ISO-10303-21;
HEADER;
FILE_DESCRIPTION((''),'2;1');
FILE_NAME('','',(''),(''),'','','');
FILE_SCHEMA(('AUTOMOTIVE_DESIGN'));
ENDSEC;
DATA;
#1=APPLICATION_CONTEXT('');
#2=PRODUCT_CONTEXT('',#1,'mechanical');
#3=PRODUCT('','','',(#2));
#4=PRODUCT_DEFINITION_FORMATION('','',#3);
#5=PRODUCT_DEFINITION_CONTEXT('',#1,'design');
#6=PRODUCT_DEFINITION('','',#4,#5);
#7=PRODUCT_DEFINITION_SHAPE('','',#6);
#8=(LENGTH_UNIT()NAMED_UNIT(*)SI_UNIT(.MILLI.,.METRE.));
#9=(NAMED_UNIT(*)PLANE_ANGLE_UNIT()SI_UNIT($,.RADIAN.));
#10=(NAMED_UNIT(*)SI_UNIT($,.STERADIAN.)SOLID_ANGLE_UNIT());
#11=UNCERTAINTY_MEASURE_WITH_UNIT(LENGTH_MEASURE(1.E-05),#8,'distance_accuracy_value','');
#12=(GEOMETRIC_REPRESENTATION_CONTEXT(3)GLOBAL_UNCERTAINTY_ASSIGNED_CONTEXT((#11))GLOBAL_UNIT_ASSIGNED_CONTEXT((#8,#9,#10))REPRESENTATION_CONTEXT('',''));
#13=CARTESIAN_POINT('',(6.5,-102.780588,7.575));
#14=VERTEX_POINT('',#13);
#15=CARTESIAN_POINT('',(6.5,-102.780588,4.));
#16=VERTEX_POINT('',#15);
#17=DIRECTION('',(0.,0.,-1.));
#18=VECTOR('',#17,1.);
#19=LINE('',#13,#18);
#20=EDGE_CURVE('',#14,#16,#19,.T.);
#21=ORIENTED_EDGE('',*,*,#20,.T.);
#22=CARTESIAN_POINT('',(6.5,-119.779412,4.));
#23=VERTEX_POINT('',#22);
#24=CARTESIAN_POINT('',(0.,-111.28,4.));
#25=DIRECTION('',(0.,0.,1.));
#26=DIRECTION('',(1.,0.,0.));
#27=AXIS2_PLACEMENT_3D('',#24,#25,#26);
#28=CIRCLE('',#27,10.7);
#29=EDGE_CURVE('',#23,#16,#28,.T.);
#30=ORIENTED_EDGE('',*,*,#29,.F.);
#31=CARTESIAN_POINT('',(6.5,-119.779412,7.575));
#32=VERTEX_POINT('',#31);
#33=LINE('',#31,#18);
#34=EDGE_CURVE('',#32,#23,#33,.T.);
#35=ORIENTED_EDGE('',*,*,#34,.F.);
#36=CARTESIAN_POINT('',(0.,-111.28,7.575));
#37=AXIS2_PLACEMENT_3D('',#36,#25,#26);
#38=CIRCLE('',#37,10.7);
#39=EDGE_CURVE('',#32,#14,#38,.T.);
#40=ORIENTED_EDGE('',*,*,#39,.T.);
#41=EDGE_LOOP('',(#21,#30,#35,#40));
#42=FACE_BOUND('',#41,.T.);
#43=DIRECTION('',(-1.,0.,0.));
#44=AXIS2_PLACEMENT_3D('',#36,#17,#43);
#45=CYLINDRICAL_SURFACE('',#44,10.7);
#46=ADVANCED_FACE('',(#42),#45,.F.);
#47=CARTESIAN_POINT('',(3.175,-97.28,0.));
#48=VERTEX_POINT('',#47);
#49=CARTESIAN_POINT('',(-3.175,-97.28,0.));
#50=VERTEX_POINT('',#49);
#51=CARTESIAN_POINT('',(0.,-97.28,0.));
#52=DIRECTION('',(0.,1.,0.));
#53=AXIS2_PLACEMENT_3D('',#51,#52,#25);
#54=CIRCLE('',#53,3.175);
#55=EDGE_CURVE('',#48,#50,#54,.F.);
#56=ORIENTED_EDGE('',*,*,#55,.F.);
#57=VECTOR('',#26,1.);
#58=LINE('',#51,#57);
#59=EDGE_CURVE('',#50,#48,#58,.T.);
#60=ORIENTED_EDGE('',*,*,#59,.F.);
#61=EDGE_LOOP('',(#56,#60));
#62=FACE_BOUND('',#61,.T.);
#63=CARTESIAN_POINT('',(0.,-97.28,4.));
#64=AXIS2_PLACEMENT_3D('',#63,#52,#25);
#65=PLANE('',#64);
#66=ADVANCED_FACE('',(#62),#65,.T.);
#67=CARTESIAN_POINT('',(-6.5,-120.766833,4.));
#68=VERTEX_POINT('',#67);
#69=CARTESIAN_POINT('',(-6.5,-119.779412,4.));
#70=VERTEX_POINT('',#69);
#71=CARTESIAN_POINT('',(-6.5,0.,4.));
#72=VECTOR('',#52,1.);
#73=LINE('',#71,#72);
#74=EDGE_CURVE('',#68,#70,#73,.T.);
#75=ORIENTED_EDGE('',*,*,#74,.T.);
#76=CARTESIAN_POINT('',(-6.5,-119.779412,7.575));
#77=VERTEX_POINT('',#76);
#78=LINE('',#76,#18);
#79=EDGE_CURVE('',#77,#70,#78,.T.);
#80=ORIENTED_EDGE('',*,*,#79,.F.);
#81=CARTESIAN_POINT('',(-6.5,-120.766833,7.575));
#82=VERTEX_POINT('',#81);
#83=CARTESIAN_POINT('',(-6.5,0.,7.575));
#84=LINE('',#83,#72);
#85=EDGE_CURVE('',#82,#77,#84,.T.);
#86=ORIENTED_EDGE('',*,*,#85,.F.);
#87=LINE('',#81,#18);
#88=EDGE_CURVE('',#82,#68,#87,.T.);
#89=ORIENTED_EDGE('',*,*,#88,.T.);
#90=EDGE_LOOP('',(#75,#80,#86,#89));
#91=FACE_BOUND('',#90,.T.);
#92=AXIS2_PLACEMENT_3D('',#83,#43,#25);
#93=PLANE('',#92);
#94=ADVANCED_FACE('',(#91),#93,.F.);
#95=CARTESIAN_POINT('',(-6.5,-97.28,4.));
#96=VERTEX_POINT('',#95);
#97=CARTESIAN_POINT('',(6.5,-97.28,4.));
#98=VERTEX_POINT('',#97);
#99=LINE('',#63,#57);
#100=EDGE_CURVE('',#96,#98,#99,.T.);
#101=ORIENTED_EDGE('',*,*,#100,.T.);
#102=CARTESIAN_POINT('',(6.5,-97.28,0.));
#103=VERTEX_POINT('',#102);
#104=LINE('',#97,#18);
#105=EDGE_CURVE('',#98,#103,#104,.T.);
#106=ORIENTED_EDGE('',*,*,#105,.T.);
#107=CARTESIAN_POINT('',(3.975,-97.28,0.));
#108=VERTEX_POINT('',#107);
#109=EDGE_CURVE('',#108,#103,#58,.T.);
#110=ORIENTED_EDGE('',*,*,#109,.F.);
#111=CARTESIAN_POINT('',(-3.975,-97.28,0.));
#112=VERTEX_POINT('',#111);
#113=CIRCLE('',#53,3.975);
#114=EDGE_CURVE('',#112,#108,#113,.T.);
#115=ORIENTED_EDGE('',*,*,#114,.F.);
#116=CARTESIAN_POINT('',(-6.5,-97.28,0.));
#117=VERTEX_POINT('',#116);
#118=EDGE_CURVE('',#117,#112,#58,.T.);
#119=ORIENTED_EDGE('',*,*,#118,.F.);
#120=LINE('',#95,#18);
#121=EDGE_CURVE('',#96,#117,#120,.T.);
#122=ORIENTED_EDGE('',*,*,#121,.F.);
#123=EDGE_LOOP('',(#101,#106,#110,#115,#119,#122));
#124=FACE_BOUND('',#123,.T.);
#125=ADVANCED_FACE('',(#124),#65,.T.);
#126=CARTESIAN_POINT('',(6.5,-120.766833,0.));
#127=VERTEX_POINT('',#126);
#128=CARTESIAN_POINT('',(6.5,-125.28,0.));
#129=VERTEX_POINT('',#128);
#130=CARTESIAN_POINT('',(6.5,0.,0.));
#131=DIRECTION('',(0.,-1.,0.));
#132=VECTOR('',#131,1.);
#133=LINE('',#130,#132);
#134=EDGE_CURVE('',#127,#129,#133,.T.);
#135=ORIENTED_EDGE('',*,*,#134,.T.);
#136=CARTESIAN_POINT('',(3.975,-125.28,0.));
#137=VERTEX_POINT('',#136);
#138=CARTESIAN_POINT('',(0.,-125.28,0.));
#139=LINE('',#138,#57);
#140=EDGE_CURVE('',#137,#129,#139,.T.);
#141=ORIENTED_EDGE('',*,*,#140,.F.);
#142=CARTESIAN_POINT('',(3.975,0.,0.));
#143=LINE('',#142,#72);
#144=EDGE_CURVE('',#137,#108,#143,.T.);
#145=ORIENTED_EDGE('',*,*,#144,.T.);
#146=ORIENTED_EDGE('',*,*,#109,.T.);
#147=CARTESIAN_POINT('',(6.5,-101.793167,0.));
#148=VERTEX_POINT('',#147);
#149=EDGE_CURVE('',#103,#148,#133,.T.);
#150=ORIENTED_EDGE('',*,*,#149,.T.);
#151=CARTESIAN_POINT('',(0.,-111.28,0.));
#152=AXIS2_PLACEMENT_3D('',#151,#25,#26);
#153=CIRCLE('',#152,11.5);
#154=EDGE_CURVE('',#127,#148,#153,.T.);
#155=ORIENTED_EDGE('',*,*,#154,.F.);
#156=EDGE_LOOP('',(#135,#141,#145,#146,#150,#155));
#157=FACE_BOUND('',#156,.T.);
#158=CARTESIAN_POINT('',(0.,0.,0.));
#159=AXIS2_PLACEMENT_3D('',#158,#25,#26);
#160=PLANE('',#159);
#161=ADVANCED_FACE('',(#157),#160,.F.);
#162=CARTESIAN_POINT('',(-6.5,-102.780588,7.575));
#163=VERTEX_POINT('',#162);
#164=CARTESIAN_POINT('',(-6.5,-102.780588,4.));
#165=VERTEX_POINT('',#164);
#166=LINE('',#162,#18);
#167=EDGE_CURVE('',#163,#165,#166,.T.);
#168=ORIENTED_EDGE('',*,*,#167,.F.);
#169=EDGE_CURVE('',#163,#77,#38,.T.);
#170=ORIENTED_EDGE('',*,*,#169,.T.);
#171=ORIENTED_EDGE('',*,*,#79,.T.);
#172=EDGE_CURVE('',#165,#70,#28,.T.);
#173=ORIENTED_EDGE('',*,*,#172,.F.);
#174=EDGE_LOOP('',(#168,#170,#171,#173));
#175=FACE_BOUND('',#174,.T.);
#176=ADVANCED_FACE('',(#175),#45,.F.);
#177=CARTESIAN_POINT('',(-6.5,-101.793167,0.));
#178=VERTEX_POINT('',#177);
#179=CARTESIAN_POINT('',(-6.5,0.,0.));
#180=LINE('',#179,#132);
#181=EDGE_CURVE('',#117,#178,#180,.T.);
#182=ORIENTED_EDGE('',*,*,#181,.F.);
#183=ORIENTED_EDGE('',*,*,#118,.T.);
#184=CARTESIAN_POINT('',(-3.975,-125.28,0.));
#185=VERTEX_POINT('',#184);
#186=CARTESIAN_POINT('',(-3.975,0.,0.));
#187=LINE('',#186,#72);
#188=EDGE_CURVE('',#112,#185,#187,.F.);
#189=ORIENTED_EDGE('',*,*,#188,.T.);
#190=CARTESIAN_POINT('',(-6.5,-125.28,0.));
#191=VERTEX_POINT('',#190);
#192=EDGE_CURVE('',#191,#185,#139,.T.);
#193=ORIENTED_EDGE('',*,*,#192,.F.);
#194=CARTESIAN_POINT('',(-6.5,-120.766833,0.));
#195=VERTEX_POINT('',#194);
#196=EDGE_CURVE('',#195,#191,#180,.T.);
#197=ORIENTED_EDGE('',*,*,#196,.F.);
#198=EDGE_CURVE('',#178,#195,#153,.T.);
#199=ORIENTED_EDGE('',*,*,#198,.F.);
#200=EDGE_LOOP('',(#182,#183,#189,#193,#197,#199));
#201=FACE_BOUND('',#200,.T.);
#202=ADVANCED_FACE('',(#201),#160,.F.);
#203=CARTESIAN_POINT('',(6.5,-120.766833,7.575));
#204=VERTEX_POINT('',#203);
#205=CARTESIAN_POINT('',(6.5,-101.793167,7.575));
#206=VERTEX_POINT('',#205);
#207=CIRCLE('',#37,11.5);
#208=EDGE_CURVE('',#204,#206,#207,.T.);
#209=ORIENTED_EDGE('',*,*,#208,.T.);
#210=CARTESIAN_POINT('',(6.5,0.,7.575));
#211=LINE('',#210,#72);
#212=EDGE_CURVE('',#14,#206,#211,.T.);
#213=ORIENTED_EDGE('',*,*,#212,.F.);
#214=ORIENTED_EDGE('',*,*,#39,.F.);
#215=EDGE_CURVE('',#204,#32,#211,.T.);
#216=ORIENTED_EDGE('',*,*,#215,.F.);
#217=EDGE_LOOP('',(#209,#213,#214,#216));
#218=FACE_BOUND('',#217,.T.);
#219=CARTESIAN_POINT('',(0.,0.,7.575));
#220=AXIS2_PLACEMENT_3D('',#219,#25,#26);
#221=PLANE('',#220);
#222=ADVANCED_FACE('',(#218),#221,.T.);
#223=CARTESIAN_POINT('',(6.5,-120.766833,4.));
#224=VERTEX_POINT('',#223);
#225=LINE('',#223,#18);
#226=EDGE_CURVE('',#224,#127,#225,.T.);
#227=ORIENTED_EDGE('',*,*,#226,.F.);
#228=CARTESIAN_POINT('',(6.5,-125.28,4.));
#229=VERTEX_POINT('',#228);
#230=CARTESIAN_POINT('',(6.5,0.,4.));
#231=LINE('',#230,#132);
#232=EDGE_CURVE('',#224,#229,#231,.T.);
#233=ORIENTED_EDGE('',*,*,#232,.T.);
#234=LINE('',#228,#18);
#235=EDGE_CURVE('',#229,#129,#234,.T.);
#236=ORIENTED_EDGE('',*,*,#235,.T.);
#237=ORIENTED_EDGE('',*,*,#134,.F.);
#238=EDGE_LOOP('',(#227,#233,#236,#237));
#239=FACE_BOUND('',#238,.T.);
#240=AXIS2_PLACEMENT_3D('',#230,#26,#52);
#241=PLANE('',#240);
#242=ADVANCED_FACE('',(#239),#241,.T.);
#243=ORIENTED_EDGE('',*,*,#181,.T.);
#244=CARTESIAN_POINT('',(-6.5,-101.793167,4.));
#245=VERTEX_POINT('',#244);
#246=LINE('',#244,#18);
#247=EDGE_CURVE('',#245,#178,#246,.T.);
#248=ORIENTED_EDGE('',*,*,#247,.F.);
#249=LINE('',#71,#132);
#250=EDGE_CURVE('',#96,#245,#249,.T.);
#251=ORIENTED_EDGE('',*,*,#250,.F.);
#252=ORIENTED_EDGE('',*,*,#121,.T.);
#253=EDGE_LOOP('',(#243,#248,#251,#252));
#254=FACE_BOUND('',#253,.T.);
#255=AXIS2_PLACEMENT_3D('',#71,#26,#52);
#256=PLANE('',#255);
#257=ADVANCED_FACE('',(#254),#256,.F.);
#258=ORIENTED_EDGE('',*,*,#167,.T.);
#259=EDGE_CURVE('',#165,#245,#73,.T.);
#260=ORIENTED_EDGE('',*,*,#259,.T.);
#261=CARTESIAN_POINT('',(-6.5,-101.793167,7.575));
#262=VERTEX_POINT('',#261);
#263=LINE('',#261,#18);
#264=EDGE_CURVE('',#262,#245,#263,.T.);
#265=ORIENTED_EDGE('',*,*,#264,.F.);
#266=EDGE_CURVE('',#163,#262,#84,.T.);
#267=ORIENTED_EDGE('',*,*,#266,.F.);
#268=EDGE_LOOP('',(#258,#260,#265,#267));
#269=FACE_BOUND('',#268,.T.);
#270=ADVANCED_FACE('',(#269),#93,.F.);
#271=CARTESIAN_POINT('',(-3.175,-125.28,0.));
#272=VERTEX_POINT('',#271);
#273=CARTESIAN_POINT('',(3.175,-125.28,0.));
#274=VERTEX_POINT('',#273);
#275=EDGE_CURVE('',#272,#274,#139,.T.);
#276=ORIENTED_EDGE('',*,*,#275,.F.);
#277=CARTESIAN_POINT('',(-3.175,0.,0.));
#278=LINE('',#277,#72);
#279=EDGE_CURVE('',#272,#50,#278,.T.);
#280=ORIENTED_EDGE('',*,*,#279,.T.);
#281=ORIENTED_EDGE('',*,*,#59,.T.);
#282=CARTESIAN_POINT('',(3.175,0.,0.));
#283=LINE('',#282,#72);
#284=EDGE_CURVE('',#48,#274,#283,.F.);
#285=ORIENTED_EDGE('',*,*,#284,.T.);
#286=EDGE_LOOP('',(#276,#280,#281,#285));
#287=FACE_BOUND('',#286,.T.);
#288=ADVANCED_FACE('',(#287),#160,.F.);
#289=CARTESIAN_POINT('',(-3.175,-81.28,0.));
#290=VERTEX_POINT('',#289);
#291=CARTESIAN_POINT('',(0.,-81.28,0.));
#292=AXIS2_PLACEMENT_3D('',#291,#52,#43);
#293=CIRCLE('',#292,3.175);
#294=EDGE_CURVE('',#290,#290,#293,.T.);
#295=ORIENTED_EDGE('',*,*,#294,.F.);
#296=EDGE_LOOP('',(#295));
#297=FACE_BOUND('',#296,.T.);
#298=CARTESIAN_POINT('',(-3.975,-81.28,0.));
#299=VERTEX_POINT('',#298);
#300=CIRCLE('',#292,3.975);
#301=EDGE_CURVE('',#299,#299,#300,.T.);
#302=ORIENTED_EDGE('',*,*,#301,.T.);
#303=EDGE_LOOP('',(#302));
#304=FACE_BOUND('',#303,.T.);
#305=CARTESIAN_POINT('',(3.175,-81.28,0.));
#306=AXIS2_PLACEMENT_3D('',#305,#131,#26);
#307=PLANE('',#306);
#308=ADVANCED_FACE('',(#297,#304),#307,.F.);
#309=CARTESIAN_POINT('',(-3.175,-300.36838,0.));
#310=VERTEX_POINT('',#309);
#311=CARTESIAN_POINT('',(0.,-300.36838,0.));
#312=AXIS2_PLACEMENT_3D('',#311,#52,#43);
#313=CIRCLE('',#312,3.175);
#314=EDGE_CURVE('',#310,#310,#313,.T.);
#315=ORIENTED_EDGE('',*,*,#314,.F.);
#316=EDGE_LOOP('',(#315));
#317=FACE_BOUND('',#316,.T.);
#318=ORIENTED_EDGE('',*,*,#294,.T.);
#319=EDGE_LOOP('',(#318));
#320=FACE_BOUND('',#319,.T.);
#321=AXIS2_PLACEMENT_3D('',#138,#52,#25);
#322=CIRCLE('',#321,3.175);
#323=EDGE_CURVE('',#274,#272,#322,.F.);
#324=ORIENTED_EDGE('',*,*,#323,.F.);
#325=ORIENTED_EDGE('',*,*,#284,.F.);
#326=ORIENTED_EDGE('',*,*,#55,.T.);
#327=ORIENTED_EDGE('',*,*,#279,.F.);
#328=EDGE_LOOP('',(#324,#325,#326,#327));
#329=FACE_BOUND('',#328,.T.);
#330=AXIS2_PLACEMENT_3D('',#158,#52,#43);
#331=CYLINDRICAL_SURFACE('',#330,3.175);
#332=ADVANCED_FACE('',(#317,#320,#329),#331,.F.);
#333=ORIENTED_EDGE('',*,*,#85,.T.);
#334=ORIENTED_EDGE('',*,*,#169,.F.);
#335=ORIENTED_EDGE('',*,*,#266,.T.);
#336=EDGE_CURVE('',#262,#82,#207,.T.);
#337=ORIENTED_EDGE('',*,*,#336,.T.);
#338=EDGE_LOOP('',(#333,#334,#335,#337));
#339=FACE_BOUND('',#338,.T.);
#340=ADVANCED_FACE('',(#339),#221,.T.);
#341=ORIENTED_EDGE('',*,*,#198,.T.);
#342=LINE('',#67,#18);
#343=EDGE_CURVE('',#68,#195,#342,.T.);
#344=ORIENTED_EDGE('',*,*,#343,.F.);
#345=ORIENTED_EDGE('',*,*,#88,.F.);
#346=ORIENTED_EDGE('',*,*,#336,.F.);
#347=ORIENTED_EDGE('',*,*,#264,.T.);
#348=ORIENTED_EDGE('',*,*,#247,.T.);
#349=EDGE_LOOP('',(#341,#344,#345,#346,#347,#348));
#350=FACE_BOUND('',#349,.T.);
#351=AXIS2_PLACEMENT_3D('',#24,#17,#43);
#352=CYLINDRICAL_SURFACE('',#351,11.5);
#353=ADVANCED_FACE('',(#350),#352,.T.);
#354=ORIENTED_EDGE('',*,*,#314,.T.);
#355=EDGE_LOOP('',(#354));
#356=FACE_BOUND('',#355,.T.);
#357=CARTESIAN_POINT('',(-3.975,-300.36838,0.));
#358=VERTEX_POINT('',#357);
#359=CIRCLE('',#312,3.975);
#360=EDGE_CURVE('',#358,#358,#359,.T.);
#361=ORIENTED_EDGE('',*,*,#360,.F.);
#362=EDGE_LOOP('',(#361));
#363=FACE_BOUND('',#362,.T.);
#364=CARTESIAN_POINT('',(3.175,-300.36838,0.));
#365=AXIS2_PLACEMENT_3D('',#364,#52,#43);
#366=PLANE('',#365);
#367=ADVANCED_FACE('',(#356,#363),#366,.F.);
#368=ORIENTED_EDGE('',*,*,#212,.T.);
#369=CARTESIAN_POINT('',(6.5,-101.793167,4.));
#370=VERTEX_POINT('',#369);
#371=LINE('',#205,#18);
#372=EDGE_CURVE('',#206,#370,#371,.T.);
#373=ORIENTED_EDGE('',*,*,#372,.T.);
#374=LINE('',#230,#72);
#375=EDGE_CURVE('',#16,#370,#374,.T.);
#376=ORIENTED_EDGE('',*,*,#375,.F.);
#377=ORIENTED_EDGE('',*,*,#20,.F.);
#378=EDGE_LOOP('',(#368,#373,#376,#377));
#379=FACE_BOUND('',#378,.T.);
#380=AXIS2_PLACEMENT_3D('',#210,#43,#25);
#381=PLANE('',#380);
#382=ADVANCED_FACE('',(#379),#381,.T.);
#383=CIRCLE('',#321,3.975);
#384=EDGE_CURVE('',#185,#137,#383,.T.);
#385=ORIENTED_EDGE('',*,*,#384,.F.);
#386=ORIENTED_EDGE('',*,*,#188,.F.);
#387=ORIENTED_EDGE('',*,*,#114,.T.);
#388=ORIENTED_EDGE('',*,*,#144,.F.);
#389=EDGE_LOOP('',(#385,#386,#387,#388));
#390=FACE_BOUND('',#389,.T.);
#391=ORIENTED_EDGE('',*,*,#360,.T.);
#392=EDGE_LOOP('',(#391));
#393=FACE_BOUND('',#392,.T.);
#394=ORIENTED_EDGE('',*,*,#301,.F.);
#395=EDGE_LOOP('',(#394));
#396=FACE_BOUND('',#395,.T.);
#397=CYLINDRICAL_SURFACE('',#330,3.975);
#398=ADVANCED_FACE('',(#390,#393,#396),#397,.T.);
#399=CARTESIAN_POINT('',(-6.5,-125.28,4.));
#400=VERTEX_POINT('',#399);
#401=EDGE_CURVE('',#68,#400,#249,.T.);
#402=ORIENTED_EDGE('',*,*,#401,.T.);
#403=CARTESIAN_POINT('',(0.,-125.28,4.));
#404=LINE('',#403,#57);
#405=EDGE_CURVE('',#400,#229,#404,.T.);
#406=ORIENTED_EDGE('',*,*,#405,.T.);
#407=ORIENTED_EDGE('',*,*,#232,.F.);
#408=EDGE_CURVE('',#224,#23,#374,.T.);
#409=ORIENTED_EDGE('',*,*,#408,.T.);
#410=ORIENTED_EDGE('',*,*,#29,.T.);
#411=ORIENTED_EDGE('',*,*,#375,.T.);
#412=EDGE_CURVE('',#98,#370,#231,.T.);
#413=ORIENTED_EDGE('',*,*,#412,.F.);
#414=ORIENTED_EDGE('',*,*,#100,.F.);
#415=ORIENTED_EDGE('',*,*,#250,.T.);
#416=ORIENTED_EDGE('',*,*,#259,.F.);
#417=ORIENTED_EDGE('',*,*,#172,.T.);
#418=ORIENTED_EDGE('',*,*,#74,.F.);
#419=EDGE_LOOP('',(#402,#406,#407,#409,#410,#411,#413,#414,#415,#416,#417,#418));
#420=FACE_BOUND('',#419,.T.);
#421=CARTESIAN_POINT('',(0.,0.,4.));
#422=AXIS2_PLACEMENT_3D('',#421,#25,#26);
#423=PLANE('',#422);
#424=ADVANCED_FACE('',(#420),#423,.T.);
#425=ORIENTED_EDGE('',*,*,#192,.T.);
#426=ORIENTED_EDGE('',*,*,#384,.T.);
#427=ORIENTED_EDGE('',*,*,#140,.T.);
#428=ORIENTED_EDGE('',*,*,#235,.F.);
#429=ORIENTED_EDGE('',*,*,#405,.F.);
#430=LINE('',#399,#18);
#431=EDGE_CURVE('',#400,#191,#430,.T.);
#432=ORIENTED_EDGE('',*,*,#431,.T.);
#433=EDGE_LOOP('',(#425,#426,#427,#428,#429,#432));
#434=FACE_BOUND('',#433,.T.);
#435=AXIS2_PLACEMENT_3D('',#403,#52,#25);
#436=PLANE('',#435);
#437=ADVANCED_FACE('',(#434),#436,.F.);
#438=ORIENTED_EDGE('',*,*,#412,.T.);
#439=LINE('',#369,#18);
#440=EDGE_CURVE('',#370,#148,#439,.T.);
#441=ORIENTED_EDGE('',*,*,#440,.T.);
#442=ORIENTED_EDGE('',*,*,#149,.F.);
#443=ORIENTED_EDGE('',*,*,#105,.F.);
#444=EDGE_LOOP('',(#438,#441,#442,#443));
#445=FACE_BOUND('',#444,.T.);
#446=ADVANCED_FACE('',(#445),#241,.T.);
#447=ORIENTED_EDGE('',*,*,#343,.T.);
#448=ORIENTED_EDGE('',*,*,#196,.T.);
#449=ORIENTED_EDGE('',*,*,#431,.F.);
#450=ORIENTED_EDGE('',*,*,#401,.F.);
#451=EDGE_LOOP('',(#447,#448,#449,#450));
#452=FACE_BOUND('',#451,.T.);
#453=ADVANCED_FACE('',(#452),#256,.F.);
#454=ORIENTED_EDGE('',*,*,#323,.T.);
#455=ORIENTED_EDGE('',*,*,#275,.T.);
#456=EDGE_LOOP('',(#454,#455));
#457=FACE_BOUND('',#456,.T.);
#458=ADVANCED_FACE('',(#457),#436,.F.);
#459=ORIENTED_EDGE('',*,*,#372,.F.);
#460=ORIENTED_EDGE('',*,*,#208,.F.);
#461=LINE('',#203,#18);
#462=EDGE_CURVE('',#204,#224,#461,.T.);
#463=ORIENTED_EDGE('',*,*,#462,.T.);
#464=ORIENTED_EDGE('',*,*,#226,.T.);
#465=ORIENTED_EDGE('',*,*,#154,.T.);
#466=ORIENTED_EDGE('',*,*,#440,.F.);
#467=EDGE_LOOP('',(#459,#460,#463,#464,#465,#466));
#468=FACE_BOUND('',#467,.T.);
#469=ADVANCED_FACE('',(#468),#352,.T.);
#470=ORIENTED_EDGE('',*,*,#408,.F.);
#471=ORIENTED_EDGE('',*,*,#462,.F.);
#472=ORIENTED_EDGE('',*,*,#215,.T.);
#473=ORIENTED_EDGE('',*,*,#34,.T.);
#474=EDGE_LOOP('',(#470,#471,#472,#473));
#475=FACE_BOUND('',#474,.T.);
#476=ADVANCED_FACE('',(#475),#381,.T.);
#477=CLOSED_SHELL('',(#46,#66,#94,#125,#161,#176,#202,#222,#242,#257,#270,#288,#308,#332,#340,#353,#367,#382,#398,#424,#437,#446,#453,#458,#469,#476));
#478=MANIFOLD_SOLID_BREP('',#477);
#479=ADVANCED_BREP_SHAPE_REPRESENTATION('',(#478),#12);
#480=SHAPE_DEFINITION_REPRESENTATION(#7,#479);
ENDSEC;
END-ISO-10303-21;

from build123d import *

# Parameters (mm, degrees)
SKETCH1_W           = 0.8
SKETCH1_H           = 219.088379857
BOSS_EXTRUDE2_DEPTH = 4
BOSS_EXTRUDE3_DEPTH = 3.575


with BuildPart() as part:
    # Sketch1 → Revolve1 (revolve)
    with BuildSketch(Plane.XY, mode=Mode.PRIVATE) as revolve1_sk:
        with Locations((3.575, -190.824189929)):
            Rectangle(SKETCH1_W, SKETCH1_H)
    revolve(revolve1_sk.sketch.rotate(Axis((0, 0, 0), (0, -1, 0)), 180), axis=Axis((0, 0, 0), (0, -1, 0)))

    # Sketch17 → Boss-Extrude2 (add)
    with BuildSketch(Plane(origin=(0, 58.900156663, 0), x_dir=(1, 0, 0), z_dir=(0, 0, 1))):
        with BuildLine():
            ThreePointArc((6.5, -160.693323683), (0, -158.680156663), (-6.5, -160.693323683))
            Line((-6.5, -160.693323683), (-6.5, -179.666989644))
            ThreePointArc((-6.5, -179.666989644), (0, -181.680156663), (6.5, -179.666989644))
            Line((6.5, -179.666989644), (6.5, -160.693323683))
        make_face()
        with BuildLine():
            Line((-6.5, -179.666989644), (-6.5, -160.693323683))
            ThreePointArc((-6.5, -160.693323683), (-11.5, -170.180156663), (-6.5, -179.666989644))
        make_face()
        with BuildLine():
            Line((6.5, -156.180156663), (-6.5, -156.180156663))
            Line((-6.5, -156.180156663), (-6.5, -160.693323683))
            ThreePointArc((-6.5, -160.693323683), (0, -158.680156663), (6.5, -160.693323683))
            Line((6.5, -160.693323683), (6.5, -156.180156663))
        make_face()
        with BuildLine():
            ThreePointArc((11.5, -170.180156663), (10.173494975, -164.818254016), (6.5, -160.693323683))
            Line((6.5, -160.693323683), (6.5, -179.666989644))
            ThreePointArc((6.5, -179.666989644), (10.173494975, -175.542059311), (11.5, -170.180156663))
        make_face()
        with BuildLine():
            ThreePointArc((6.5, -179.666989644), (0, -181.680156663), (-6.5, -179.666989644))
            Line((-6.5, -179.666989644), (-6.5, -184.180156663))
            Line((-6.5, -184.180156663), (6.5, -184.180156663))
            Line((6.5, -184.180156663), (6.5, -179.666989644))
        make_face()
    extrude(amount=BOSS_EXTRUDE2_DEPTH)

    # Sketch18 → Boss-Extrude3 (add)
    with BuildSketch(Plane.XY.offset(4)):
        with BuildLine():
            ThreePointArc((-6.5, -101.793167019), (-11.5, -111.28), (-6.5, -120.766832981))
            Line((-6.5, -120.766832981), (-6.5, -119.779411744))
            ThreePointArc((-6.5, -119.779411744), (-10.7, -111.28), (-6.5, -102.780588256))
            Line((-6.5, -102.780588256), (-6.5, -101.793167019))
        make_face()
        with BuildLine():
            Line((6.5, -119.779411744), (6.5, -120.766832981))
            ThreePointArc((6.5, -120.766832981), (10.173494975, -116.641902647), (11.5, -111.28))
            ThreePointArc((11.5, -111.28), (10.173494975, -105.918097353), (6.5, -101.793167019))
            Line((6.5, -101.793167019), (6.5, -102.780588256))
            ThreePointArc((6.5, -102.780588256), (9.592705562, -106.539746842), (10.7, -111.28))
            ThreePointArc((10.7, -111.28), (9.592705562, -116.020253158), (6.5, -119.779411744))
        make_face()
    extrude(amount=BOSS_EXTRUDE3_DEPTH)


solid = part.part
